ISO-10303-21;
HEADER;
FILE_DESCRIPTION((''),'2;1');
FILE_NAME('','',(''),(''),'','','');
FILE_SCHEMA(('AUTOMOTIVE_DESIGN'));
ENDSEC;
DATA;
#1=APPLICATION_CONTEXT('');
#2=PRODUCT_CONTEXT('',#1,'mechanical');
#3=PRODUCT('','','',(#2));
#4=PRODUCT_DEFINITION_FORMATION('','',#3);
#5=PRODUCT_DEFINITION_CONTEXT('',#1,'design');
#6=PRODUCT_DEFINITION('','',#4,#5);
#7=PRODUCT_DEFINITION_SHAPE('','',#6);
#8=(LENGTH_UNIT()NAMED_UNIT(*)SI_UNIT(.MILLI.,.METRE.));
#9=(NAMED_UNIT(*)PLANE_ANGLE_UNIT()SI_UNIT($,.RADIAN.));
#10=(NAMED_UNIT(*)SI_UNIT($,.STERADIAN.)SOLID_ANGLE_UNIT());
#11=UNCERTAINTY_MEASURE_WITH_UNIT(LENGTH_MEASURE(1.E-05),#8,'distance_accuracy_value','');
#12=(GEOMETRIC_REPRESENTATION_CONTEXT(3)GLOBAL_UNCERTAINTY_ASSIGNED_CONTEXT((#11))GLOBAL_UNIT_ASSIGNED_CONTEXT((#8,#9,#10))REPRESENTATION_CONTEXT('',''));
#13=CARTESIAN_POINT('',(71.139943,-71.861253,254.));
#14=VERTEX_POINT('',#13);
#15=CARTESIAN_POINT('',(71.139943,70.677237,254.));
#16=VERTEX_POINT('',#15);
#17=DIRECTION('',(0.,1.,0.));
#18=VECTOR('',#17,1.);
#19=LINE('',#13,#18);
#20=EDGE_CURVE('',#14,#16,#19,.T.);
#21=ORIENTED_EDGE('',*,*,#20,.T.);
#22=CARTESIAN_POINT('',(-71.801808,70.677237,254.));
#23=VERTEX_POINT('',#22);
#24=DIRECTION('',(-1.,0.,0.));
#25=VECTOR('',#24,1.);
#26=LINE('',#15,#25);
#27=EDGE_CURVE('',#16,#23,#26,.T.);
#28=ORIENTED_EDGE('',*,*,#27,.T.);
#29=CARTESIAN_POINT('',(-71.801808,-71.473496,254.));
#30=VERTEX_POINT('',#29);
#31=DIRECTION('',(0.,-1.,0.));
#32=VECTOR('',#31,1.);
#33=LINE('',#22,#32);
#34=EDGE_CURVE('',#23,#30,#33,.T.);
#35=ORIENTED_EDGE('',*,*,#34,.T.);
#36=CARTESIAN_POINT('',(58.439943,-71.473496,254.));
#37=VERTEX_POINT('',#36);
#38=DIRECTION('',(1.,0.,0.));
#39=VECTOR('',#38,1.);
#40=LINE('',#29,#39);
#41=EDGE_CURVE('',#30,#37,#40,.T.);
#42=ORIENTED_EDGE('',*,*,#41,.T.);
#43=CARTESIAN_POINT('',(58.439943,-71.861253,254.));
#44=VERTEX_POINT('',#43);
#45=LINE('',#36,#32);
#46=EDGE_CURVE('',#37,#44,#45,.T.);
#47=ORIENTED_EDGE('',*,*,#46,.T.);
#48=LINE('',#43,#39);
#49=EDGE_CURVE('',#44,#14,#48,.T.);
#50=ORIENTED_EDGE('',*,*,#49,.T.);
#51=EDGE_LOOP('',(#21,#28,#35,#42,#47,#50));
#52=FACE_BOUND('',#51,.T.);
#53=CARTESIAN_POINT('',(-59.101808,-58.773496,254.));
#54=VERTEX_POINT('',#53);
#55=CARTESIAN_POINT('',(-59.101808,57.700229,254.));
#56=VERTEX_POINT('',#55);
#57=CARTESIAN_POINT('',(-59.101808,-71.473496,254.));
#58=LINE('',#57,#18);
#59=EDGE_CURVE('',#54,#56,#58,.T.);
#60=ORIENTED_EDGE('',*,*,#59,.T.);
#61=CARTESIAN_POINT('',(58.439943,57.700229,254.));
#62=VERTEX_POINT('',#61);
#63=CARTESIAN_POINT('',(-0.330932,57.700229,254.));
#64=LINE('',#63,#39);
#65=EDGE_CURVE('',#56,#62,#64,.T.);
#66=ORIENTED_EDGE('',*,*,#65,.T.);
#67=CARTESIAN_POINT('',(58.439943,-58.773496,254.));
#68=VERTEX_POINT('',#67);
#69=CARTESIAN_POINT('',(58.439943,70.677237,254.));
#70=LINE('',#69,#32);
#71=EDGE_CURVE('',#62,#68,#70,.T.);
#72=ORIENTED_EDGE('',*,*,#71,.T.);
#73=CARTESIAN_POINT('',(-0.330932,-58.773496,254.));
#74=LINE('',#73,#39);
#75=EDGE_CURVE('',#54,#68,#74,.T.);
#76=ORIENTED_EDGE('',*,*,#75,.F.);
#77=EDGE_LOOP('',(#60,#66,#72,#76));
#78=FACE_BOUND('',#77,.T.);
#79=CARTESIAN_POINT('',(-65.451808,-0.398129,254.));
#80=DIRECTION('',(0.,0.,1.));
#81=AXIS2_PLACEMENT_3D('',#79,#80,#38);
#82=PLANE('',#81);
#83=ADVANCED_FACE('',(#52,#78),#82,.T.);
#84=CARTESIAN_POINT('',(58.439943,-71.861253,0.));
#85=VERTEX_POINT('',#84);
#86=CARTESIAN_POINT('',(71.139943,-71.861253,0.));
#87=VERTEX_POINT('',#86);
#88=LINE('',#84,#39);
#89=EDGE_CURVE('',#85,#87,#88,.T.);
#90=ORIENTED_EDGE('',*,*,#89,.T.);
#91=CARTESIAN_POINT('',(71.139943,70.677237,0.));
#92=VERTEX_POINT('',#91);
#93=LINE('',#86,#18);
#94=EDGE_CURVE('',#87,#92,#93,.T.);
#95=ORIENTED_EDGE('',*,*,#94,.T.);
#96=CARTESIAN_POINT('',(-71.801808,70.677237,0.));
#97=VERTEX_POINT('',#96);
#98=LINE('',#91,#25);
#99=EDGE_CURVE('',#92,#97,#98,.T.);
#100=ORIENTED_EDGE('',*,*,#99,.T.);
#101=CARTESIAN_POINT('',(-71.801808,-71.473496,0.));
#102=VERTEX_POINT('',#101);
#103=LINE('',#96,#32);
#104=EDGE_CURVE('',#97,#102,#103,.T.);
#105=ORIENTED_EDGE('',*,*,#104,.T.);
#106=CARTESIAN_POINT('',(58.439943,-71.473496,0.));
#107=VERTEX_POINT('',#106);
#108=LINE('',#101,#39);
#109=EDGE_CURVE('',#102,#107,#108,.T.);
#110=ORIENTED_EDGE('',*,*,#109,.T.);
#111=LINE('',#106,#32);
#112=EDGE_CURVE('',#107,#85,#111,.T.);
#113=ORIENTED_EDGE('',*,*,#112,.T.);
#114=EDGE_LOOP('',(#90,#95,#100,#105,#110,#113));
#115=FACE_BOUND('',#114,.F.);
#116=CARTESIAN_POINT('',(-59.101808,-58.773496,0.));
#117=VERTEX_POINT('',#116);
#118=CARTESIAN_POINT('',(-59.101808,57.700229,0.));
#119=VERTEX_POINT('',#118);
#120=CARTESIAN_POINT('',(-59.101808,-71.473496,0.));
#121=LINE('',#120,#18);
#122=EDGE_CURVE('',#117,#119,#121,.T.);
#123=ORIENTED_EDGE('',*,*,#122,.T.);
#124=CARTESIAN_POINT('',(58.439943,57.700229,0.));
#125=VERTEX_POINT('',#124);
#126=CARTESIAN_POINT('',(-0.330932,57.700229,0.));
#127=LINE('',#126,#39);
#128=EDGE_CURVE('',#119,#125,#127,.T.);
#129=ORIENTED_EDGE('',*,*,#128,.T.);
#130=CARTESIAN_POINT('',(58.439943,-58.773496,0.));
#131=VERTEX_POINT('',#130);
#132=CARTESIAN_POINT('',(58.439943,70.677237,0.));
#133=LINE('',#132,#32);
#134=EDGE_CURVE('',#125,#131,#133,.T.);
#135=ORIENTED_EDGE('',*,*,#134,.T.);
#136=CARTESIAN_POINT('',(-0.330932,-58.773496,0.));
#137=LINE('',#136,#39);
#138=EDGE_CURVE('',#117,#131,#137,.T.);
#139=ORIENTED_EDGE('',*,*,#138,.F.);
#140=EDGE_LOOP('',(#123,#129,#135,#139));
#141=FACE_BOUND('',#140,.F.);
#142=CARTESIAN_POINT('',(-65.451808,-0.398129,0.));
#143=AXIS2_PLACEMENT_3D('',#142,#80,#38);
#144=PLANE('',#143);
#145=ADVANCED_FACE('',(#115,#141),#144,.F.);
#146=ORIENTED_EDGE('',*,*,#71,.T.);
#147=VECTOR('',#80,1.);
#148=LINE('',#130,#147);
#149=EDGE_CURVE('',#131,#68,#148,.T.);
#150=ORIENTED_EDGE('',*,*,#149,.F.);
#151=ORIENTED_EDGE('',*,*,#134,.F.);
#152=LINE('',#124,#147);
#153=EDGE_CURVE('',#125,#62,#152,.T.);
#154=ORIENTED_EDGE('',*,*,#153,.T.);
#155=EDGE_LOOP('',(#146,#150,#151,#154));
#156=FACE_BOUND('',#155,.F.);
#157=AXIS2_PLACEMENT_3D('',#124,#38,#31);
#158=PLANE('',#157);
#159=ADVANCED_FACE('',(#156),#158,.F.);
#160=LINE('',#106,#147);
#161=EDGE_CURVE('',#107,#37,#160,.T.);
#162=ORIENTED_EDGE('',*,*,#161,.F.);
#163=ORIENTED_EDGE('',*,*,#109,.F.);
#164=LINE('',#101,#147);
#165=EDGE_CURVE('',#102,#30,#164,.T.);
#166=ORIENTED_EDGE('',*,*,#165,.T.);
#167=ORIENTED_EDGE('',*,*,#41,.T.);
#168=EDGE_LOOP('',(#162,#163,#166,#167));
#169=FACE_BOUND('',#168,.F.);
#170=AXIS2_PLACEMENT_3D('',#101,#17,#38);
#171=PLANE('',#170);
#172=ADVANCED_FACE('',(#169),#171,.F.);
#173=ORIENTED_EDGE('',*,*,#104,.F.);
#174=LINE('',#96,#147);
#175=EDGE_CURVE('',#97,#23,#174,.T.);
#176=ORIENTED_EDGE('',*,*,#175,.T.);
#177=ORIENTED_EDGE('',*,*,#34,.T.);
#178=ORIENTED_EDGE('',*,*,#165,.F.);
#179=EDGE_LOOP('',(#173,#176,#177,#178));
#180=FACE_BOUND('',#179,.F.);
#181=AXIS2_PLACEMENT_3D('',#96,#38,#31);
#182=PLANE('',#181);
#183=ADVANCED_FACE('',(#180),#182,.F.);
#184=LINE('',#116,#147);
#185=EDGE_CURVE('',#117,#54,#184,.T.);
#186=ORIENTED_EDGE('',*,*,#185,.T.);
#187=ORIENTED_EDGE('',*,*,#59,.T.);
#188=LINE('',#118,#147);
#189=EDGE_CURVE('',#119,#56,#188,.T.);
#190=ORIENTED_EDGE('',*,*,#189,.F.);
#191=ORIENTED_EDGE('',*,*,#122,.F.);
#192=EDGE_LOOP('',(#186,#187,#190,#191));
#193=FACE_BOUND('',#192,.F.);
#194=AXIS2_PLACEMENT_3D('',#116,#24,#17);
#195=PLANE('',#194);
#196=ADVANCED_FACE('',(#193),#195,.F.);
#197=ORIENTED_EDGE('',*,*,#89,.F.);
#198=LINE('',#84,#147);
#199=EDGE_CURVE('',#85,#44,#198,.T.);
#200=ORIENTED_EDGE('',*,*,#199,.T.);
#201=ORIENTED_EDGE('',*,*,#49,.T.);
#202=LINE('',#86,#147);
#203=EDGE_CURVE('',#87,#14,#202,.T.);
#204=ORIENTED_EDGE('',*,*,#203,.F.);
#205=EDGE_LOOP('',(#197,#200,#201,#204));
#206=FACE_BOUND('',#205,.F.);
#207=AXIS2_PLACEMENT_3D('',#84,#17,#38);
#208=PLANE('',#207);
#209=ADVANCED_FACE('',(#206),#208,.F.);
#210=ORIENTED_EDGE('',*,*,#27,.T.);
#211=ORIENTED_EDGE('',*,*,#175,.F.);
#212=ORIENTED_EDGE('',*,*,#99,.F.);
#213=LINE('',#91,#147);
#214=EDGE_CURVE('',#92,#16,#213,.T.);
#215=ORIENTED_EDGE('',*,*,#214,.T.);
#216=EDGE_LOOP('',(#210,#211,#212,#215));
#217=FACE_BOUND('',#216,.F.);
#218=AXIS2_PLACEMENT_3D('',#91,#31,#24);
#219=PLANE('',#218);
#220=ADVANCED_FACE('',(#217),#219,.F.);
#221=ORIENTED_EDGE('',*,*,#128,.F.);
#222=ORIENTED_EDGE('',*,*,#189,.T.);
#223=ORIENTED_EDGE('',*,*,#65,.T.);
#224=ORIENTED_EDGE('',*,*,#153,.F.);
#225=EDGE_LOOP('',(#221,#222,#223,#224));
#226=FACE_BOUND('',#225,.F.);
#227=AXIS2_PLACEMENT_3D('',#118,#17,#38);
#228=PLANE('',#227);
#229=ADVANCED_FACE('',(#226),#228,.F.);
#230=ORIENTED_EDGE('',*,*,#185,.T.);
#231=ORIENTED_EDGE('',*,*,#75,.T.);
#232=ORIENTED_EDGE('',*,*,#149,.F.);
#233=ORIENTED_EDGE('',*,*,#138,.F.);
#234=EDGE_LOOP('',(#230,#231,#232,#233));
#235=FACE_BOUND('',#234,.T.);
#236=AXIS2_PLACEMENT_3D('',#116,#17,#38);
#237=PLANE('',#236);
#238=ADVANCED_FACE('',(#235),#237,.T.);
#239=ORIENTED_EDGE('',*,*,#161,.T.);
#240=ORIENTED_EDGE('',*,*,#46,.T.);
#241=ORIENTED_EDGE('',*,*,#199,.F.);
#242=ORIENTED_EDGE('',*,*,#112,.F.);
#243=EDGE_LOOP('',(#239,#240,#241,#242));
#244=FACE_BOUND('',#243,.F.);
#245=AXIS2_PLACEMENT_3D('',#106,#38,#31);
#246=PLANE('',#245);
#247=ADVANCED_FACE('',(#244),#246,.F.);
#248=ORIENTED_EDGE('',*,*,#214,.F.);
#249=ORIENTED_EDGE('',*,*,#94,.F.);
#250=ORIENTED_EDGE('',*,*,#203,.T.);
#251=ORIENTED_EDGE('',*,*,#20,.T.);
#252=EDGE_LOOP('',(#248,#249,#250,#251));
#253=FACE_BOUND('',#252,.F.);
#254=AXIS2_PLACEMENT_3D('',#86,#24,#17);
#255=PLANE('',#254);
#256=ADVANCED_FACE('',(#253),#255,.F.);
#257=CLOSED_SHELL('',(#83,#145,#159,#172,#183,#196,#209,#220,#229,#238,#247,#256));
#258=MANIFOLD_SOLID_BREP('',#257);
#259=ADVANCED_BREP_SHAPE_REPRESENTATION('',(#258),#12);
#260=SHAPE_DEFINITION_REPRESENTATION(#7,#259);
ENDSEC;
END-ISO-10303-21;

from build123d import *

# Parameters (mm, degrees)
F0_W     = 117.5417516827
F0_H     = 12.7
F0_H_2   = 12.9770076108
F1_DEPTH = 254


with BuildPart() as f1:
    # F0 (on Top) → F1 (new body)
    with BuildSketch(Plane.XY):
        Polygon((-71.8018082797, 70.6772367408), (-71.8018082797, -71.4734956291), (-59.1018082797, -71.4734956291), (-59.1018082797, -58.7734956291), (-59.1018082797, 57.70022913), (-59.1018082797, 70.6772367408), align=None)
        with Locations((-0.3309324384, -65.1234956291)):
            Rectangle(F0_W, F0_H)
        Polygon((58.439943403, -58.7734956291), (58.439943403, -71.4734956291), (58.439943403, -71.8612532069), (71.139943403, -71.8612532069), (71.139943403, 70.6772367408), (58.439943403, 70.6772367408), (58.439943403, 57.70022913), align=None)
        with Locations((-0.3309324384, 64.1887329354)):
            Rectangle(F0_W, F0_H_2)
    extrude(amount=F1_DEPTH)


solid = f1.part
